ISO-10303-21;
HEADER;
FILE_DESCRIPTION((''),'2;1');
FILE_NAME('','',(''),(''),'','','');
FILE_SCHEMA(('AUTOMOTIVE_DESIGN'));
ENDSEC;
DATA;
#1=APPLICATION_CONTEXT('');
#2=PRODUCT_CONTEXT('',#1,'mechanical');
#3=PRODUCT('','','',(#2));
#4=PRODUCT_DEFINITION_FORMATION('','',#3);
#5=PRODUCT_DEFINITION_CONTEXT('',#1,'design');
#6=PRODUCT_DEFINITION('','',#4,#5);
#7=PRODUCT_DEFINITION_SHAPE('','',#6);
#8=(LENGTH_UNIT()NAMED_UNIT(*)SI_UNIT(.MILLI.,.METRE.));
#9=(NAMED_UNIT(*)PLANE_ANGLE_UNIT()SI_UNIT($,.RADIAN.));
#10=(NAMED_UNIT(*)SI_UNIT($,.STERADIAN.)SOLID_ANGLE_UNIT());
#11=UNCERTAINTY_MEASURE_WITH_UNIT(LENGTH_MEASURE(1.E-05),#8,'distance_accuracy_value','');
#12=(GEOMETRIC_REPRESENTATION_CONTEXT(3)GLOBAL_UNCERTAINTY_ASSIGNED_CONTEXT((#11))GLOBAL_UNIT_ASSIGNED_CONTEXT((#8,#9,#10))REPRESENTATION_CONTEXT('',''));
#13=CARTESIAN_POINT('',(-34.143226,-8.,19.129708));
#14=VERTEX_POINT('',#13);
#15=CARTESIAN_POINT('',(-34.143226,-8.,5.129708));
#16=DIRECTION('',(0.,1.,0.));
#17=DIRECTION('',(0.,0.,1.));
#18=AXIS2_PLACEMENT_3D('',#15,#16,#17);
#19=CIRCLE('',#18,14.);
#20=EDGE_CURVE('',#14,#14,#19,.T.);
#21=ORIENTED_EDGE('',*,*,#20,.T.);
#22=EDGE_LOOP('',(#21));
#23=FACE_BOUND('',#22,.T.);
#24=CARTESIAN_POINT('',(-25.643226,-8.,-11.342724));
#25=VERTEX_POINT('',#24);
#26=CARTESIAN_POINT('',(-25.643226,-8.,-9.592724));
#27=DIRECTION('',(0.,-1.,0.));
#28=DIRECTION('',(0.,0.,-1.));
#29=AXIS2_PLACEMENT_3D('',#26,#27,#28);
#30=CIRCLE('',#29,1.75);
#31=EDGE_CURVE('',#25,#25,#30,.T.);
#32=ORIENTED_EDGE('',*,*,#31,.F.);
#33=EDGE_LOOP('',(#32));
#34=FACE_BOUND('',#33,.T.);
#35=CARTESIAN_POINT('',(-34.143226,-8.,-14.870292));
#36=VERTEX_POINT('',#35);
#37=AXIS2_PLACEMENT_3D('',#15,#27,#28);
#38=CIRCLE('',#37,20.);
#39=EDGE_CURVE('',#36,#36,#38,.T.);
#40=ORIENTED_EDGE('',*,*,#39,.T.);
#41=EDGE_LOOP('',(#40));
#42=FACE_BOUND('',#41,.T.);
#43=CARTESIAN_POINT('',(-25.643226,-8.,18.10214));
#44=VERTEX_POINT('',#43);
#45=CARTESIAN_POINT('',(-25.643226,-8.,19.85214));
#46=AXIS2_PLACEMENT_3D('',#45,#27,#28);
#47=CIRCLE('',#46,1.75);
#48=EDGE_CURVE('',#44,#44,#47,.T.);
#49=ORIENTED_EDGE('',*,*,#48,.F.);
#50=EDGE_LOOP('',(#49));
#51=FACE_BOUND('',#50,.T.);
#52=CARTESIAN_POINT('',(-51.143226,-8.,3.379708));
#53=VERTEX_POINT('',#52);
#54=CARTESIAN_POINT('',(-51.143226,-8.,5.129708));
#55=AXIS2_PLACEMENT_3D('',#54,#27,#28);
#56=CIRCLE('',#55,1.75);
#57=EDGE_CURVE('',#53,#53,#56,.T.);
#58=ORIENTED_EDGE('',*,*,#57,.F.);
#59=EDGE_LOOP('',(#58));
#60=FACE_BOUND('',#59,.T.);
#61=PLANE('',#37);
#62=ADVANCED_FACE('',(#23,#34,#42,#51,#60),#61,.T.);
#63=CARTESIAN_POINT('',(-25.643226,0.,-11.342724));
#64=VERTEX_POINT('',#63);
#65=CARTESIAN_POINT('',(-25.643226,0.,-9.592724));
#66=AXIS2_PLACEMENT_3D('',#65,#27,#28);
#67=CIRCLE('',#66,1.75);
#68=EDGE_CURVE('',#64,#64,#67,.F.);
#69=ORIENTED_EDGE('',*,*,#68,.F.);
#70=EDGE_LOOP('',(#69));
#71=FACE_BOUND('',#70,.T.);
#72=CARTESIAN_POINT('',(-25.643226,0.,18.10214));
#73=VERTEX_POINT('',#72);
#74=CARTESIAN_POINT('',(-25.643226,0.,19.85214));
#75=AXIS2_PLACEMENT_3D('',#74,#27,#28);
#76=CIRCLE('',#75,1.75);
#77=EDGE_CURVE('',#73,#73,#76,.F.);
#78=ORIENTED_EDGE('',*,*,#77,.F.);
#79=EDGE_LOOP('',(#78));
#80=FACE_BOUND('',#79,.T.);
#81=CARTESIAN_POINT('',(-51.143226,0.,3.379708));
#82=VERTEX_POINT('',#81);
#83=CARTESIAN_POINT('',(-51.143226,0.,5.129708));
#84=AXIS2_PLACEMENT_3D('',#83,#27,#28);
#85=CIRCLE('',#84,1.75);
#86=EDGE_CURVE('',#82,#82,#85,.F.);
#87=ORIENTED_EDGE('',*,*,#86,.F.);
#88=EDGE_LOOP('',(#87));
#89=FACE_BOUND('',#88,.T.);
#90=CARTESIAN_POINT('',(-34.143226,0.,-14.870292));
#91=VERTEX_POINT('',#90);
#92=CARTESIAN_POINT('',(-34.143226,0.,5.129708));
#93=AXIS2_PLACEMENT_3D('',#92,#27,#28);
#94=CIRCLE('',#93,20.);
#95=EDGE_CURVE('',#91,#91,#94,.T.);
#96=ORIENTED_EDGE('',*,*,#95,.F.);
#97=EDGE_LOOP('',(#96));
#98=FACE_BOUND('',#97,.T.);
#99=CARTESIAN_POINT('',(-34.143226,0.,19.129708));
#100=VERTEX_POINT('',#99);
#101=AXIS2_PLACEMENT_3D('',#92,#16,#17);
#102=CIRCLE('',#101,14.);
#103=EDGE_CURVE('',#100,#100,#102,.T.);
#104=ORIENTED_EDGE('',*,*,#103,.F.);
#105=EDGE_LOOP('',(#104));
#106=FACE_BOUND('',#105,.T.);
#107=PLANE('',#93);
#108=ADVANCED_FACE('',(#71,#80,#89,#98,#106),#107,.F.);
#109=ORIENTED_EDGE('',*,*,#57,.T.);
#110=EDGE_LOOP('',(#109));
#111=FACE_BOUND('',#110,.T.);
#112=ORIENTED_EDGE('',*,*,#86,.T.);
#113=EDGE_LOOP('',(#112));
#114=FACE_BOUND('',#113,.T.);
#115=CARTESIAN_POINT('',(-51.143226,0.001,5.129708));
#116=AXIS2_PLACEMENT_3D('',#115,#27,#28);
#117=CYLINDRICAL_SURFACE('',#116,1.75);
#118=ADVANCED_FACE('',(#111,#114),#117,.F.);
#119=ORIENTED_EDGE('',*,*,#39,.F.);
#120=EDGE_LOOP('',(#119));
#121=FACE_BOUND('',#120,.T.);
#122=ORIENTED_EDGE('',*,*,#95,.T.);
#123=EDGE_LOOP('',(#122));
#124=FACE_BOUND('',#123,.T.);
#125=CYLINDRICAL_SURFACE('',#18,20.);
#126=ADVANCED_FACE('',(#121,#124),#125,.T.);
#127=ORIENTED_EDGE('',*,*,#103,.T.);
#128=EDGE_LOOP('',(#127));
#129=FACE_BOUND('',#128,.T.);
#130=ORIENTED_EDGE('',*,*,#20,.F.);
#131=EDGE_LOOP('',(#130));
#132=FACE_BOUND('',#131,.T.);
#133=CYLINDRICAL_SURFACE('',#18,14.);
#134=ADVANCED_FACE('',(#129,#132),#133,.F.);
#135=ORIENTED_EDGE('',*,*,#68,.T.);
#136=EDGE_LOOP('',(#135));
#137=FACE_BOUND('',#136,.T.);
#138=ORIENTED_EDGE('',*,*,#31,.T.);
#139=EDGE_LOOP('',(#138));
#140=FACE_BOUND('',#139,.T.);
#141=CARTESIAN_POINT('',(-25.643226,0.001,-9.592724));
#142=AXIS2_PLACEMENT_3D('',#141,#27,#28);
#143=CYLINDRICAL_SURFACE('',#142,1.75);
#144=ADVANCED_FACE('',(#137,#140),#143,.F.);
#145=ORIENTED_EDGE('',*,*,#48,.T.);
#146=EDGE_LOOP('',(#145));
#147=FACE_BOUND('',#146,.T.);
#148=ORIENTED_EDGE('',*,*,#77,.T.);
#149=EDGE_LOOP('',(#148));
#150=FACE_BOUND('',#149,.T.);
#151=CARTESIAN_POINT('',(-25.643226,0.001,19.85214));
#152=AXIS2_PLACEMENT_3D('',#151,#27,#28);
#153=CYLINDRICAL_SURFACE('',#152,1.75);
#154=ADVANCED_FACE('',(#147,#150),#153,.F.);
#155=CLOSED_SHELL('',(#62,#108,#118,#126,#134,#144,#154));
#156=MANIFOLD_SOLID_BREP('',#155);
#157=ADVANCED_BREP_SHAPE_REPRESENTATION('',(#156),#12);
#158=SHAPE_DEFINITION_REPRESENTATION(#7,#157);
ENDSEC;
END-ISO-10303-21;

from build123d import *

# Parameters (mm, degrees)
SKETCH1_R           = 20
BOSS_EXTRUDE1_DEPTH = 8
SKETCH2_R           = 14
CUT_EXTRUDE1_DEPTH  = 8
CUT_EXTRUDE2_REACH  = 10
SKETCH3_R           = 1.75


with BuildPart() as part:
    # Sketch1 → Boss-Extrude1 (new body)
    with BuildSketch(Plane.XZ):
        with Locations((-34.143225555, 5.12970783)):
            Circle(SKETCH1_R)
    extrude(amount=BOSS_EXTRUDE1_DEPTH)

    # Sketch2 → Cut-Extrude1 (cut)
    with BuildSketch(Plane(origin=(0, 0, 0), x_dir=(1, 0, 0), z_dir=(0, 1, 0))):
        with Locations((-34.143225555, -5.12970783)):
            Circle(SKETCH2_R)
    extrude(amount=-CUT_EXTRUDE1_DEPTH, mode=Mode.SUBTRACT)

    # Sketch3 → Cut-Extrude2 (cut, up to next)
    with BuildSketch(Plane.XZ.offset(8), mode=Mode.PRIVATE) as cut_extrude2_sk1:
        with Locations((-25.643225555, 19.852139695)):
            Circle(SKETCH3_R)
    cut_extrude2_tool1 = extrude(cut_extrude2_sk1.sketch, amount=-CUT_EXTRUDE2_REACH, mode=Mode.PRIVATE) & part.part
    add(cut_extrude2_tool1.solids().sort_by_distance((-25.643226, -8, 19.85214))[0], mode=Mode.SUBTRACT)
    # Sketch3 → Cut-Extrude2 (cut, up to next)
    with BuildSketch(Plane.XZ.offset(8), mode=Mode.PRIVATE) as cut_extrude2_sk2:
        with Locations((-25.643225555, -9.592724034)):
            Circle(SKETCH3_R)
    cut_extrude2_tool2 = extrude(cut_extrude2_sk2.sketch, amount=-CUT_EXTRUDE2_REACH, mode=Mode.PRIVATE) & part.part
    add(cut_extrude2_tool2.solids().sort_by_distance((-25.643226, -8, -9.592724))[0], mode=Mode.SUBTRACT)
    # Sketch3 → Cut-Extrude2 (cut, up to next)
    with BuildSketch(Plane.XZ.offset(8), mode=Mode.PRIVATE) as cut_extrude2_sk3:
        with Locations((-51.143225555, 5.12970783)):
            Circle(SKETCH3_R)
    cut_extrude2_tool3 = extrude(cut_extrude2_sk3.sketch, amount=-CUT_EXTRUDE2_REACH, mode=Mode.PRIVATE) & part.part
    add(cut_extrude2_tool3.solids().sort_by_distance((-51.143226, -8, 5.129708))[0], mode=Mode.SUBTRACT)


solid = part.part
